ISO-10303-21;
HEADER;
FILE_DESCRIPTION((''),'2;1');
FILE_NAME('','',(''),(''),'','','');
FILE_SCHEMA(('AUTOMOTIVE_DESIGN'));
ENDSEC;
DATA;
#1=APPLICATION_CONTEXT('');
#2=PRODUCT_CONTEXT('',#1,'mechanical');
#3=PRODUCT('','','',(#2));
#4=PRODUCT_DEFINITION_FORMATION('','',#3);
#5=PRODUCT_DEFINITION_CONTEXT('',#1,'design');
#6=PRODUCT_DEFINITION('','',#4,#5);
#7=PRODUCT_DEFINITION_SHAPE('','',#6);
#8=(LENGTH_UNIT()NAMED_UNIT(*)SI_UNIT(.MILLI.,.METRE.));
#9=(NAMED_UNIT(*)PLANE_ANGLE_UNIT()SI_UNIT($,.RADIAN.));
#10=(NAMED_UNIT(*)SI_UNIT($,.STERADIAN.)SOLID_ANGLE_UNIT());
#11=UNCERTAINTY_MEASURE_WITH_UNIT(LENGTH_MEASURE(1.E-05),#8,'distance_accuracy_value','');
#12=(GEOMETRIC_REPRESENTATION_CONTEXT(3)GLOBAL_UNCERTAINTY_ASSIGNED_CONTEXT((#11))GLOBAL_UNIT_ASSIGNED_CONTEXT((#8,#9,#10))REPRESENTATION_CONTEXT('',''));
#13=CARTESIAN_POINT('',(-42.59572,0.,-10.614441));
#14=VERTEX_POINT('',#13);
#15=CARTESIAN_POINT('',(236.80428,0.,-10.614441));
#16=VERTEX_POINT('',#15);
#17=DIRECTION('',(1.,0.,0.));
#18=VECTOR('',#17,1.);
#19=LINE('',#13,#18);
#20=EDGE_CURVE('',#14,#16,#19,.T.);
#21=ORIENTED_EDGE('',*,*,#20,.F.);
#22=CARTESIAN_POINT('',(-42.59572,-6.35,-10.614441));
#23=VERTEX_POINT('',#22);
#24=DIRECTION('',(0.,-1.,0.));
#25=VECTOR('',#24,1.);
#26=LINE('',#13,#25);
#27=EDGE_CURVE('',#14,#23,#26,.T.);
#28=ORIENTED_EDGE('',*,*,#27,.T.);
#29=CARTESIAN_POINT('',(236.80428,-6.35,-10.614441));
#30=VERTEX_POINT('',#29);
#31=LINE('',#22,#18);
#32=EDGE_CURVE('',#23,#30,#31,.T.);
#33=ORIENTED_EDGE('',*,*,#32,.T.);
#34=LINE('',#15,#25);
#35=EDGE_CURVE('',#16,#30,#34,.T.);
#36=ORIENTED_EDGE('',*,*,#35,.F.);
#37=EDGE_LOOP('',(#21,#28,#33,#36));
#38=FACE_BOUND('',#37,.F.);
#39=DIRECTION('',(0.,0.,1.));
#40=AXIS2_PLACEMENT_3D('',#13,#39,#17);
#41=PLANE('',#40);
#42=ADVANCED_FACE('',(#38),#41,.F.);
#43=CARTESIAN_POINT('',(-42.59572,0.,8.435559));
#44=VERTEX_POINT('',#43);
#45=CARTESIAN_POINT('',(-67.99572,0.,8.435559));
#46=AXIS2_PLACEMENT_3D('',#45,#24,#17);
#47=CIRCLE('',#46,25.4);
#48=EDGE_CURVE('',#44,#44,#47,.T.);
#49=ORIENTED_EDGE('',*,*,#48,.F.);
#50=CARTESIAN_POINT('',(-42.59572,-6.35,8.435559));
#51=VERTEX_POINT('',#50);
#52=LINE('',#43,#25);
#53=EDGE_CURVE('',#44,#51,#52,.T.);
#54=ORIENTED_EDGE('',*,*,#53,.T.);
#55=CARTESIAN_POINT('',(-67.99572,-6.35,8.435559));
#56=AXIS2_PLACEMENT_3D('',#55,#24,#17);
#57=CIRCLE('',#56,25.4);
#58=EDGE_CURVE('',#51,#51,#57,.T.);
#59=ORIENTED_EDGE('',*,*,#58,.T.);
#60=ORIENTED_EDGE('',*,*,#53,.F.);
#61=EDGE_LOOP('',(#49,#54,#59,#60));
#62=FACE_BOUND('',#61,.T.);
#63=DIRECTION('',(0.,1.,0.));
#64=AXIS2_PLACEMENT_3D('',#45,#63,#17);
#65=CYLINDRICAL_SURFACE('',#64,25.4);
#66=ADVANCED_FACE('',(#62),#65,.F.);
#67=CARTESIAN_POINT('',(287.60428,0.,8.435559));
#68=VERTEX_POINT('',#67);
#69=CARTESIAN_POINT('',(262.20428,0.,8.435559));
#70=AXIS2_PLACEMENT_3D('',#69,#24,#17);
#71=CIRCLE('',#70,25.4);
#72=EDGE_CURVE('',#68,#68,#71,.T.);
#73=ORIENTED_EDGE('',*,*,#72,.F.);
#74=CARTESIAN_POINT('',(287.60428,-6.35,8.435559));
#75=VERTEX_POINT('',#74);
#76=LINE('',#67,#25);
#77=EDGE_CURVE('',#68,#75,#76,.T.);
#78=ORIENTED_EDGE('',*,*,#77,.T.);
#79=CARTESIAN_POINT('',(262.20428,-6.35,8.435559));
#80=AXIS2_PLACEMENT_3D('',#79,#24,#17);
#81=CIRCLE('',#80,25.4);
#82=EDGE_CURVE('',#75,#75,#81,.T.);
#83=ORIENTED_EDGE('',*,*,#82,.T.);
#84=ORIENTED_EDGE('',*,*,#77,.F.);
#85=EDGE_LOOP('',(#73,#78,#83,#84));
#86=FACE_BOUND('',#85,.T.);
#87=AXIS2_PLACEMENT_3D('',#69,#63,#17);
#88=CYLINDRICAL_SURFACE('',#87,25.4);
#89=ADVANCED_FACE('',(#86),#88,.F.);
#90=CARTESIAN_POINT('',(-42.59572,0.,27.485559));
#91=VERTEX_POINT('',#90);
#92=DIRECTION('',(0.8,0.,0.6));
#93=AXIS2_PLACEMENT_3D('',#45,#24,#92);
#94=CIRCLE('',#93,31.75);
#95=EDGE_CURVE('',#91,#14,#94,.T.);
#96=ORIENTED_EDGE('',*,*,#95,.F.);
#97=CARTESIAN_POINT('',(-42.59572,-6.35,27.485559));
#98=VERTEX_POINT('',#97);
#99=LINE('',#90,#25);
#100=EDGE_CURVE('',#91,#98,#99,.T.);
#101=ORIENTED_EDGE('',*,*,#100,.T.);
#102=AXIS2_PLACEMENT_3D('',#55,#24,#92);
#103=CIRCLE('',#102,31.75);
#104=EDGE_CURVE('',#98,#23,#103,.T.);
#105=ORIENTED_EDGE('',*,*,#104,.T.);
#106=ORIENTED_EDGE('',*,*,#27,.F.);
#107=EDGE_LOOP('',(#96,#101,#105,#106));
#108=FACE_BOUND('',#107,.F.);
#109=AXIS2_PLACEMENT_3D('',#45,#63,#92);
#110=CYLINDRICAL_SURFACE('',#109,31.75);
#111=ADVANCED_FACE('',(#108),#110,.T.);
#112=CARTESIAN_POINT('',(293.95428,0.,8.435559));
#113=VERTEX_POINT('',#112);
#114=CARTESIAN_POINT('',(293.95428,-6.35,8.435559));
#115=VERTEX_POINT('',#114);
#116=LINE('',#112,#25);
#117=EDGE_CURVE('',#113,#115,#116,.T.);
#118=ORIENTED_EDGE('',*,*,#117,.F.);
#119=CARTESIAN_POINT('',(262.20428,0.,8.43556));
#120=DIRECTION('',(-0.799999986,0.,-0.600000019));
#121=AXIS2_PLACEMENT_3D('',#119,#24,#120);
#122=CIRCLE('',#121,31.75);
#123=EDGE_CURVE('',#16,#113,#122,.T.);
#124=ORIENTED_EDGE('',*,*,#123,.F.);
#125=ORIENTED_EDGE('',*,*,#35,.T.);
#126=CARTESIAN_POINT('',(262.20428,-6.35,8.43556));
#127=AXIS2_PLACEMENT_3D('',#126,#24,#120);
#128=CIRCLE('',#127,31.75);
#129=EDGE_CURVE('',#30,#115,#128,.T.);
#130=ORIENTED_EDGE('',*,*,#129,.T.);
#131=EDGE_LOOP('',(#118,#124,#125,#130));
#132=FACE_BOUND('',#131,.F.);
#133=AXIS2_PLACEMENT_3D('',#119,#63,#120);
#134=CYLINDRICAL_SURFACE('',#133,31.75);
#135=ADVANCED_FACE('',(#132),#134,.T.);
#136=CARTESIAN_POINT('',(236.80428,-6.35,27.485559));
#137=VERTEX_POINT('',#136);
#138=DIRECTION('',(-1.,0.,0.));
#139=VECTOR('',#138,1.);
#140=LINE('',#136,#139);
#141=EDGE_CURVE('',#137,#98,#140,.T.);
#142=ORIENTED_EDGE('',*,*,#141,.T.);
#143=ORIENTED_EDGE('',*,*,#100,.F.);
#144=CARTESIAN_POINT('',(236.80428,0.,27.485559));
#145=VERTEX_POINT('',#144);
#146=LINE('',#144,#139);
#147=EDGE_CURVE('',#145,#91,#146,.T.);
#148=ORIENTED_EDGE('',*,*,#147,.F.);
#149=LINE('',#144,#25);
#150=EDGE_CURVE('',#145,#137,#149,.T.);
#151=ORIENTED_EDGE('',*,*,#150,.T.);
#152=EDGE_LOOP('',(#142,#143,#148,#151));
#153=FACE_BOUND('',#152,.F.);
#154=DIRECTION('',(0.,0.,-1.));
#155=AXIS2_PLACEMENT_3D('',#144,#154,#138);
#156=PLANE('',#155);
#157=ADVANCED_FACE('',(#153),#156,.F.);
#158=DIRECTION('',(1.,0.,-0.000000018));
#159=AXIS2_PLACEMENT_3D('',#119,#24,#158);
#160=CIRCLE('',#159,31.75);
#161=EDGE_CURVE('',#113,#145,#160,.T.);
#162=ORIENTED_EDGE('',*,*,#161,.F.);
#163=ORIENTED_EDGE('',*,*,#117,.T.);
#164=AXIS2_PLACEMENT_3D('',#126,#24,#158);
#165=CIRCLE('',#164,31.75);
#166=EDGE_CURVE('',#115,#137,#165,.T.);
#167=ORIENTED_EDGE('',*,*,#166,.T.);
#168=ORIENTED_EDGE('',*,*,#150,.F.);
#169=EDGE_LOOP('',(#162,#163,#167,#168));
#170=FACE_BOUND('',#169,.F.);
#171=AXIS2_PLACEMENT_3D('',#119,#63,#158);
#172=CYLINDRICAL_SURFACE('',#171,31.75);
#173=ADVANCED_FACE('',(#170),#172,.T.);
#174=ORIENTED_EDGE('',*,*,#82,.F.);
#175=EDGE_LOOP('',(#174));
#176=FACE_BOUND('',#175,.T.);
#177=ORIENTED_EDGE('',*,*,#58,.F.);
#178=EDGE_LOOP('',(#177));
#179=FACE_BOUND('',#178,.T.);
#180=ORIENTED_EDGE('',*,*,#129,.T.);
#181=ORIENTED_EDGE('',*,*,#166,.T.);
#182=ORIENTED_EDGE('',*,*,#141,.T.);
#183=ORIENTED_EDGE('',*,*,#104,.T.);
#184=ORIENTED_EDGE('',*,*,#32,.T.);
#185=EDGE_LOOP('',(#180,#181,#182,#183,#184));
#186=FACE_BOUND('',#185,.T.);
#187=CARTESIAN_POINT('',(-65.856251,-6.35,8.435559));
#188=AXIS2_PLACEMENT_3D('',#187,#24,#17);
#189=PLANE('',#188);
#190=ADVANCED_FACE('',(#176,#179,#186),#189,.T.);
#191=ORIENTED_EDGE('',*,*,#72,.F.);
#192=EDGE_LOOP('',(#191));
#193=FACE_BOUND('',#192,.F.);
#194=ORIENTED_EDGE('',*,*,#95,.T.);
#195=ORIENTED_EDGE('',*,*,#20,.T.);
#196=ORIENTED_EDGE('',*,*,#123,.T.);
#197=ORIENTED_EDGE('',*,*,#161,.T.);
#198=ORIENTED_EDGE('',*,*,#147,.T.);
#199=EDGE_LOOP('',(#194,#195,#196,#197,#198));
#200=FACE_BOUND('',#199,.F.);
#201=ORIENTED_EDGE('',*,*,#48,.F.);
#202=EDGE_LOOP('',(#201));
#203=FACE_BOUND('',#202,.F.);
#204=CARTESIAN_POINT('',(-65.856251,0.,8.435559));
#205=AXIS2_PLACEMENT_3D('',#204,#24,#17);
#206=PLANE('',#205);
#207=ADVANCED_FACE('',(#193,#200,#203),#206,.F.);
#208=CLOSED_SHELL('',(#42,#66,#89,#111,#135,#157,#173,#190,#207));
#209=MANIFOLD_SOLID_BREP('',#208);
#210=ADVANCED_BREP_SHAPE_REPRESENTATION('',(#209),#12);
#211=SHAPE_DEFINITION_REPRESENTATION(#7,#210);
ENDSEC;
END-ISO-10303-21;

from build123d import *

# Parameters (mm, degrees)
F0_R     = 25.4
F1_DEPTH = 6.35


with BuildPart() as f1:
    # F0 (on Front) → F1 (new body)
    with BuildSketch(Plane.XZ):
        with BuildLine():
            ThreePointArc((-42.59572, -10.614441), (-37.875025, -1.604672), (-36.24572, 8.435559))
            ThreePointArc((-36.24572, 8.435559), (-37.875025, 18.475791), (-42.59572, 27.485559))
            ThreePointArc((-42.59572, 27.485559), (-99.74572, 8.435559), (-42.59572, -10.614441))
        make_face()
        with Locations((-67.99572, 8.435559)):
            Circle(F0_R, mode=Mode.SUBTRACT)
        with BuildLine():
            ThreePointArc((-42.59572, 27.485559), (-37.875025, 18.475791), (-36.24572, 8.435559))
            ThreePointArc((-36.24572, 8.435559), (-37.875025, -1.604672), (-42.59572, -10.614441))
            Line((-42.59572, -10.614441), (236.80428, -10.614441))
            ThreePointArc((236.80428, -10.614441), (230.45428, 8.435559), (236.80428, 27.485559))
            Line((236.80428, 27.485559), (97.10428, 27.485559))
            Line((97.10428, 27.485559), (-42.59572, 27.485559))
        make_face()
        with BuildLine():
            ThreePointArc((236.80428, 27.485559), (230.45428, 8.435559), (236.80428, -10.614441))
            ThreePointArc((236.80428, -10.614441), (272.244512, -21.685135), (293.95428, 8.435559))
            ThreePointArc((293.95428, 8.435559), (272.244512, 38.556254), (236.80428, 27.485559))
        make_face()
        with Locations((262.20428, 8.435559)):
            Circle(F0_R, mode=Mode.SUBTRACT)
    extrude(amount=F1_DEPTH)


solid = f1.part
